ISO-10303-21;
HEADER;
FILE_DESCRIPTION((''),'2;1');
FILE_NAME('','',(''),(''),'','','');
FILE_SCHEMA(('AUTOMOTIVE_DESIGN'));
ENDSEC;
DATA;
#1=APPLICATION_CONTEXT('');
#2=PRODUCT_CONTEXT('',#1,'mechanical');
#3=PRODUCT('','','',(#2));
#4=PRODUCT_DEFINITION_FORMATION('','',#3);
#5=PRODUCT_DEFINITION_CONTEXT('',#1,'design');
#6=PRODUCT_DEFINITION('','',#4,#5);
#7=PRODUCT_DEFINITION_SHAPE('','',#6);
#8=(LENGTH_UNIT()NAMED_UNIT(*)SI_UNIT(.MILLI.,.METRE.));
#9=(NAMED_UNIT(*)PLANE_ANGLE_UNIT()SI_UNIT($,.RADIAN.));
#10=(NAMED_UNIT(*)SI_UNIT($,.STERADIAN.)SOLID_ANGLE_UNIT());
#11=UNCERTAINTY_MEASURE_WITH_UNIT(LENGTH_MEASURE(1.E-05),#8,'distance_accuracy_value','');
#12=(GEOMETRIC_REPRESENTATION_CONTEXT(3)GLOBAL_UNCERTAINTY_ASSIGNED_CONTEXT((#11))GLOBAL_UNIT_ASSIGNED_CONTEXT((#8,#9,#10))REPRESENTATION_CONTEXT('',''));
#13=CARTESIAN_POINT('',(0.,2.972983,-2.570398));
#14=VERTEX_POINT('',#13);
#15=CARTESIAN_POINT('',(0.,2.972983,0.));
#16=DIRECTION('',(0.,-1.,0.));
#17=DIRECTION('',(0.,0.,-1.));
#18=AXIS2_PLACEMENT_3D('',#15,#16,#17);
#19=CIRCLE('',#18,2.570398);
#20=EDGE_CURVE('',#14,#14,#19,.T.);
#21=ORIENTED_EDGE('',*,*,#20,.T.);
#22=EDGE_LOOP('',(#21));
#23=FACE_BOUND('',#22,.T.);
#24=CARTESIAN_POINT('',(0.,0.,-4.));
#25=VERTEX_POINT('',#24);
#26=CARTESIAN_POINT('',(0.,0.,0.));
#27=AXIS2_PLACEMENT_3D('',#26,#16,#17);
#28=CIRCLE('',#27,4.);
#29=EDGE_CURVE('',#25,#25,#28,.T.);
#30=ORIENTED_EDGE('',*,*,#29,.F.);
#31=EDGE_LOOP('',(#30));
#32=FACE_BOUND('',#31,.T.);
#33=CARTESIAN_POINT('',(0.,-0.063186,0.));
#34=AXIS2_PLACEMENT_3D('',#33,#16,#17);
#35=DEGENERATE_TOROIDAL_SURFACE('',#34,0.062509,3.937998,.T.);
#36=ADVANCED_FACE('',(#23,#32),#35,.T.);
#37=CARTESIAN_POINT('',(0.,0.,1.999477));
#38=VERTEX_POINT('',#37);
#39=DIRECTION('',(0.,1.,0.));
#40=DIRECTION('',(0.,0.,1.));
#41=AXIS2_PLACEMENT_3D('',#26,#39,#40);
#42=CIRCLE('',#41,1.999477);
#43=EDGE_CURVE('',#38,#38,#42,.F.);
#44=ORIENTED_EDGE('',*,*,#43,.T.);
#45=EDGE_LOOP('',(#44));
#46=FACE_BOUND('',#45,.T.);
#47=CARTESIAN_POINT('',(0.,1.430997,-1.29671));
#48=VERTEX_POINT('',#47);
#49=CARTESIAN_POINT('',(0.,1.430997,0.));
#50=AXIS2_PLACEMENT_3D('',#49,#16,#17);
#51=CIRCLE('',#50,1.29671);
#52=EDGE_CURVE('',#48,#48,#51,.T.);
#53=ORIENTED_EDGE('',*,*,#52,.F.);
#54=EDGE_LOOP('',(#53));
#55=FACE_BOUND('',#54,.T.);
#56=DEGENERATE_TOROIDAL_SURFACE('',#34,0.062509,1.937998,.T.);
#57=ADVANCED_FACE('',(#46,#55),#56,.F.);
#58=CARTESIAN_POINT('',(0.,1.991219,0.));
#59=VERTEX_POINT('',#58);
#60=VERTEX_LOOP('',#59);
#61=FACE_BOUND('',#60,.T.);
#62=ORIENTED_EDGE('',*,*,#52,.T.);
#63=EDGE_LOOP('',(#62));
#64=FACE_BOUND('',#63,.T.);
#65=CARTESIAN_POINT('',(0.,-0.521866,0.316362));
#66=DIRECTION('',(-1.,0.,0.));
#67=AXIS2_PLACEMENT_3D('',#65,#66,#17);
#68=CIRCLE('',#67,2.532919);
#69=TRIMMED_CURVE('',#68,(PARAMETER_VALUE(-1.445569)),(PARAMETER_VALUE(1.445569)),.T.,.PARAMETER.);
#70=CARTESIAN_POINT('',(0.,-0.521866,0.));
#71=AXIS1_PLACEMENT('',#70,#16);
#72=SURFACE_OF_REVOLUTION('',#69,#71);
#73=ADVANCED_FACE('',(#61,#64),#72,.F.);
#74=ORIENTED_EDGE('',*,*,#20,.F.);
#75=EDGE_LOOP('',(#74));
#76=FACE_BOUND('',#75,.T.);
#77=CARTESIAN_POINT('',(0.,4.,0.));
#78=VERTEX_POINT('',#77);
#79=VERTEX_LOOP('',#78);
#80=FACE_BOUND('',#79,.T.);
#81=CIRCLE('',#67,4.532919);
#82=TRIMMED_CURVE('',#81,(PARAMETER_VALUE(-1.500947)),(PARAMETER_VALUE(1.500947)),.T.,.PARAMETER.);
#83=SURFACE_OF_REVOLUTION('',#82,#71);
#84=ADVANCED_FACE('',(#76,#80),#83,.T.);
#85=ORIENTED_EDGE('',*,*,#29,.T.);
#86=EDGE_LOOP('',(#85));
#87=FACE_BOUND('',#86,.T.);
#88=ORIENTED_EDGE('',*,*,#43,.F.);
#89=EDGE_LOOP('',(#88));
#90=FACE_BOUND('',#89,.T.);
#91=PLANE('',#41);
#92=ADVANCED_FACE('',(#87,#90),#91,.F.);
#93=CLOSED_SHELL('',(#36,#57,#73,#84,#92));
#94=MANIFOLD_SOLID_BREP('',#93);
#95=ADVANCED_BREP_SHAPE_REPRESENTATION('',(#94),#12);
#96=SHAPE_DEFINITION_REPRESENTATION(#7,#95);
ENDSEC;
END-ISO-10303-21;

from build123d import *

# Parameters (mm, degrees)
SHELL1_T = -2


with BuildPart() as part:
    # Sketch4 → Revolve1 (revolve)
    with BuildSketch(Plane(origin=(0, 0, 0), x_dir=(0, 0, -1), z_dir=(1, 0, 0)), mode=Mode.PRIVATE) as revolve1_sk:
        with BuildLine():
            Line((0, 0), (-4, 0))
            ThreePointArc((-4, 0), (-3.611507053, 1.643401837), (-2.570397552, 2.972983492))
            ThreePointArc((-2.570397552, 2.972983492), (-1.365508261, 3.687488809), (0, 4))
            Line((0, 4), (0, 0))
        make_face()
    revolve(revolve1_sk.sketch.rotate(Axis((0, 0, 0), (0, 1, 0)), 180), axis=Axis((0, 0, 0), (0, 1, 0)))

    # Shell1
    shell1_openings = [part.faces().sort_by_distance(p)[0] for p in [
        (0, 0, 0),
    ]]
    offset(amount=SHELL1_T, openings=shell1_openings, kind=Kind.INTERSECTION)


solid = part.part
